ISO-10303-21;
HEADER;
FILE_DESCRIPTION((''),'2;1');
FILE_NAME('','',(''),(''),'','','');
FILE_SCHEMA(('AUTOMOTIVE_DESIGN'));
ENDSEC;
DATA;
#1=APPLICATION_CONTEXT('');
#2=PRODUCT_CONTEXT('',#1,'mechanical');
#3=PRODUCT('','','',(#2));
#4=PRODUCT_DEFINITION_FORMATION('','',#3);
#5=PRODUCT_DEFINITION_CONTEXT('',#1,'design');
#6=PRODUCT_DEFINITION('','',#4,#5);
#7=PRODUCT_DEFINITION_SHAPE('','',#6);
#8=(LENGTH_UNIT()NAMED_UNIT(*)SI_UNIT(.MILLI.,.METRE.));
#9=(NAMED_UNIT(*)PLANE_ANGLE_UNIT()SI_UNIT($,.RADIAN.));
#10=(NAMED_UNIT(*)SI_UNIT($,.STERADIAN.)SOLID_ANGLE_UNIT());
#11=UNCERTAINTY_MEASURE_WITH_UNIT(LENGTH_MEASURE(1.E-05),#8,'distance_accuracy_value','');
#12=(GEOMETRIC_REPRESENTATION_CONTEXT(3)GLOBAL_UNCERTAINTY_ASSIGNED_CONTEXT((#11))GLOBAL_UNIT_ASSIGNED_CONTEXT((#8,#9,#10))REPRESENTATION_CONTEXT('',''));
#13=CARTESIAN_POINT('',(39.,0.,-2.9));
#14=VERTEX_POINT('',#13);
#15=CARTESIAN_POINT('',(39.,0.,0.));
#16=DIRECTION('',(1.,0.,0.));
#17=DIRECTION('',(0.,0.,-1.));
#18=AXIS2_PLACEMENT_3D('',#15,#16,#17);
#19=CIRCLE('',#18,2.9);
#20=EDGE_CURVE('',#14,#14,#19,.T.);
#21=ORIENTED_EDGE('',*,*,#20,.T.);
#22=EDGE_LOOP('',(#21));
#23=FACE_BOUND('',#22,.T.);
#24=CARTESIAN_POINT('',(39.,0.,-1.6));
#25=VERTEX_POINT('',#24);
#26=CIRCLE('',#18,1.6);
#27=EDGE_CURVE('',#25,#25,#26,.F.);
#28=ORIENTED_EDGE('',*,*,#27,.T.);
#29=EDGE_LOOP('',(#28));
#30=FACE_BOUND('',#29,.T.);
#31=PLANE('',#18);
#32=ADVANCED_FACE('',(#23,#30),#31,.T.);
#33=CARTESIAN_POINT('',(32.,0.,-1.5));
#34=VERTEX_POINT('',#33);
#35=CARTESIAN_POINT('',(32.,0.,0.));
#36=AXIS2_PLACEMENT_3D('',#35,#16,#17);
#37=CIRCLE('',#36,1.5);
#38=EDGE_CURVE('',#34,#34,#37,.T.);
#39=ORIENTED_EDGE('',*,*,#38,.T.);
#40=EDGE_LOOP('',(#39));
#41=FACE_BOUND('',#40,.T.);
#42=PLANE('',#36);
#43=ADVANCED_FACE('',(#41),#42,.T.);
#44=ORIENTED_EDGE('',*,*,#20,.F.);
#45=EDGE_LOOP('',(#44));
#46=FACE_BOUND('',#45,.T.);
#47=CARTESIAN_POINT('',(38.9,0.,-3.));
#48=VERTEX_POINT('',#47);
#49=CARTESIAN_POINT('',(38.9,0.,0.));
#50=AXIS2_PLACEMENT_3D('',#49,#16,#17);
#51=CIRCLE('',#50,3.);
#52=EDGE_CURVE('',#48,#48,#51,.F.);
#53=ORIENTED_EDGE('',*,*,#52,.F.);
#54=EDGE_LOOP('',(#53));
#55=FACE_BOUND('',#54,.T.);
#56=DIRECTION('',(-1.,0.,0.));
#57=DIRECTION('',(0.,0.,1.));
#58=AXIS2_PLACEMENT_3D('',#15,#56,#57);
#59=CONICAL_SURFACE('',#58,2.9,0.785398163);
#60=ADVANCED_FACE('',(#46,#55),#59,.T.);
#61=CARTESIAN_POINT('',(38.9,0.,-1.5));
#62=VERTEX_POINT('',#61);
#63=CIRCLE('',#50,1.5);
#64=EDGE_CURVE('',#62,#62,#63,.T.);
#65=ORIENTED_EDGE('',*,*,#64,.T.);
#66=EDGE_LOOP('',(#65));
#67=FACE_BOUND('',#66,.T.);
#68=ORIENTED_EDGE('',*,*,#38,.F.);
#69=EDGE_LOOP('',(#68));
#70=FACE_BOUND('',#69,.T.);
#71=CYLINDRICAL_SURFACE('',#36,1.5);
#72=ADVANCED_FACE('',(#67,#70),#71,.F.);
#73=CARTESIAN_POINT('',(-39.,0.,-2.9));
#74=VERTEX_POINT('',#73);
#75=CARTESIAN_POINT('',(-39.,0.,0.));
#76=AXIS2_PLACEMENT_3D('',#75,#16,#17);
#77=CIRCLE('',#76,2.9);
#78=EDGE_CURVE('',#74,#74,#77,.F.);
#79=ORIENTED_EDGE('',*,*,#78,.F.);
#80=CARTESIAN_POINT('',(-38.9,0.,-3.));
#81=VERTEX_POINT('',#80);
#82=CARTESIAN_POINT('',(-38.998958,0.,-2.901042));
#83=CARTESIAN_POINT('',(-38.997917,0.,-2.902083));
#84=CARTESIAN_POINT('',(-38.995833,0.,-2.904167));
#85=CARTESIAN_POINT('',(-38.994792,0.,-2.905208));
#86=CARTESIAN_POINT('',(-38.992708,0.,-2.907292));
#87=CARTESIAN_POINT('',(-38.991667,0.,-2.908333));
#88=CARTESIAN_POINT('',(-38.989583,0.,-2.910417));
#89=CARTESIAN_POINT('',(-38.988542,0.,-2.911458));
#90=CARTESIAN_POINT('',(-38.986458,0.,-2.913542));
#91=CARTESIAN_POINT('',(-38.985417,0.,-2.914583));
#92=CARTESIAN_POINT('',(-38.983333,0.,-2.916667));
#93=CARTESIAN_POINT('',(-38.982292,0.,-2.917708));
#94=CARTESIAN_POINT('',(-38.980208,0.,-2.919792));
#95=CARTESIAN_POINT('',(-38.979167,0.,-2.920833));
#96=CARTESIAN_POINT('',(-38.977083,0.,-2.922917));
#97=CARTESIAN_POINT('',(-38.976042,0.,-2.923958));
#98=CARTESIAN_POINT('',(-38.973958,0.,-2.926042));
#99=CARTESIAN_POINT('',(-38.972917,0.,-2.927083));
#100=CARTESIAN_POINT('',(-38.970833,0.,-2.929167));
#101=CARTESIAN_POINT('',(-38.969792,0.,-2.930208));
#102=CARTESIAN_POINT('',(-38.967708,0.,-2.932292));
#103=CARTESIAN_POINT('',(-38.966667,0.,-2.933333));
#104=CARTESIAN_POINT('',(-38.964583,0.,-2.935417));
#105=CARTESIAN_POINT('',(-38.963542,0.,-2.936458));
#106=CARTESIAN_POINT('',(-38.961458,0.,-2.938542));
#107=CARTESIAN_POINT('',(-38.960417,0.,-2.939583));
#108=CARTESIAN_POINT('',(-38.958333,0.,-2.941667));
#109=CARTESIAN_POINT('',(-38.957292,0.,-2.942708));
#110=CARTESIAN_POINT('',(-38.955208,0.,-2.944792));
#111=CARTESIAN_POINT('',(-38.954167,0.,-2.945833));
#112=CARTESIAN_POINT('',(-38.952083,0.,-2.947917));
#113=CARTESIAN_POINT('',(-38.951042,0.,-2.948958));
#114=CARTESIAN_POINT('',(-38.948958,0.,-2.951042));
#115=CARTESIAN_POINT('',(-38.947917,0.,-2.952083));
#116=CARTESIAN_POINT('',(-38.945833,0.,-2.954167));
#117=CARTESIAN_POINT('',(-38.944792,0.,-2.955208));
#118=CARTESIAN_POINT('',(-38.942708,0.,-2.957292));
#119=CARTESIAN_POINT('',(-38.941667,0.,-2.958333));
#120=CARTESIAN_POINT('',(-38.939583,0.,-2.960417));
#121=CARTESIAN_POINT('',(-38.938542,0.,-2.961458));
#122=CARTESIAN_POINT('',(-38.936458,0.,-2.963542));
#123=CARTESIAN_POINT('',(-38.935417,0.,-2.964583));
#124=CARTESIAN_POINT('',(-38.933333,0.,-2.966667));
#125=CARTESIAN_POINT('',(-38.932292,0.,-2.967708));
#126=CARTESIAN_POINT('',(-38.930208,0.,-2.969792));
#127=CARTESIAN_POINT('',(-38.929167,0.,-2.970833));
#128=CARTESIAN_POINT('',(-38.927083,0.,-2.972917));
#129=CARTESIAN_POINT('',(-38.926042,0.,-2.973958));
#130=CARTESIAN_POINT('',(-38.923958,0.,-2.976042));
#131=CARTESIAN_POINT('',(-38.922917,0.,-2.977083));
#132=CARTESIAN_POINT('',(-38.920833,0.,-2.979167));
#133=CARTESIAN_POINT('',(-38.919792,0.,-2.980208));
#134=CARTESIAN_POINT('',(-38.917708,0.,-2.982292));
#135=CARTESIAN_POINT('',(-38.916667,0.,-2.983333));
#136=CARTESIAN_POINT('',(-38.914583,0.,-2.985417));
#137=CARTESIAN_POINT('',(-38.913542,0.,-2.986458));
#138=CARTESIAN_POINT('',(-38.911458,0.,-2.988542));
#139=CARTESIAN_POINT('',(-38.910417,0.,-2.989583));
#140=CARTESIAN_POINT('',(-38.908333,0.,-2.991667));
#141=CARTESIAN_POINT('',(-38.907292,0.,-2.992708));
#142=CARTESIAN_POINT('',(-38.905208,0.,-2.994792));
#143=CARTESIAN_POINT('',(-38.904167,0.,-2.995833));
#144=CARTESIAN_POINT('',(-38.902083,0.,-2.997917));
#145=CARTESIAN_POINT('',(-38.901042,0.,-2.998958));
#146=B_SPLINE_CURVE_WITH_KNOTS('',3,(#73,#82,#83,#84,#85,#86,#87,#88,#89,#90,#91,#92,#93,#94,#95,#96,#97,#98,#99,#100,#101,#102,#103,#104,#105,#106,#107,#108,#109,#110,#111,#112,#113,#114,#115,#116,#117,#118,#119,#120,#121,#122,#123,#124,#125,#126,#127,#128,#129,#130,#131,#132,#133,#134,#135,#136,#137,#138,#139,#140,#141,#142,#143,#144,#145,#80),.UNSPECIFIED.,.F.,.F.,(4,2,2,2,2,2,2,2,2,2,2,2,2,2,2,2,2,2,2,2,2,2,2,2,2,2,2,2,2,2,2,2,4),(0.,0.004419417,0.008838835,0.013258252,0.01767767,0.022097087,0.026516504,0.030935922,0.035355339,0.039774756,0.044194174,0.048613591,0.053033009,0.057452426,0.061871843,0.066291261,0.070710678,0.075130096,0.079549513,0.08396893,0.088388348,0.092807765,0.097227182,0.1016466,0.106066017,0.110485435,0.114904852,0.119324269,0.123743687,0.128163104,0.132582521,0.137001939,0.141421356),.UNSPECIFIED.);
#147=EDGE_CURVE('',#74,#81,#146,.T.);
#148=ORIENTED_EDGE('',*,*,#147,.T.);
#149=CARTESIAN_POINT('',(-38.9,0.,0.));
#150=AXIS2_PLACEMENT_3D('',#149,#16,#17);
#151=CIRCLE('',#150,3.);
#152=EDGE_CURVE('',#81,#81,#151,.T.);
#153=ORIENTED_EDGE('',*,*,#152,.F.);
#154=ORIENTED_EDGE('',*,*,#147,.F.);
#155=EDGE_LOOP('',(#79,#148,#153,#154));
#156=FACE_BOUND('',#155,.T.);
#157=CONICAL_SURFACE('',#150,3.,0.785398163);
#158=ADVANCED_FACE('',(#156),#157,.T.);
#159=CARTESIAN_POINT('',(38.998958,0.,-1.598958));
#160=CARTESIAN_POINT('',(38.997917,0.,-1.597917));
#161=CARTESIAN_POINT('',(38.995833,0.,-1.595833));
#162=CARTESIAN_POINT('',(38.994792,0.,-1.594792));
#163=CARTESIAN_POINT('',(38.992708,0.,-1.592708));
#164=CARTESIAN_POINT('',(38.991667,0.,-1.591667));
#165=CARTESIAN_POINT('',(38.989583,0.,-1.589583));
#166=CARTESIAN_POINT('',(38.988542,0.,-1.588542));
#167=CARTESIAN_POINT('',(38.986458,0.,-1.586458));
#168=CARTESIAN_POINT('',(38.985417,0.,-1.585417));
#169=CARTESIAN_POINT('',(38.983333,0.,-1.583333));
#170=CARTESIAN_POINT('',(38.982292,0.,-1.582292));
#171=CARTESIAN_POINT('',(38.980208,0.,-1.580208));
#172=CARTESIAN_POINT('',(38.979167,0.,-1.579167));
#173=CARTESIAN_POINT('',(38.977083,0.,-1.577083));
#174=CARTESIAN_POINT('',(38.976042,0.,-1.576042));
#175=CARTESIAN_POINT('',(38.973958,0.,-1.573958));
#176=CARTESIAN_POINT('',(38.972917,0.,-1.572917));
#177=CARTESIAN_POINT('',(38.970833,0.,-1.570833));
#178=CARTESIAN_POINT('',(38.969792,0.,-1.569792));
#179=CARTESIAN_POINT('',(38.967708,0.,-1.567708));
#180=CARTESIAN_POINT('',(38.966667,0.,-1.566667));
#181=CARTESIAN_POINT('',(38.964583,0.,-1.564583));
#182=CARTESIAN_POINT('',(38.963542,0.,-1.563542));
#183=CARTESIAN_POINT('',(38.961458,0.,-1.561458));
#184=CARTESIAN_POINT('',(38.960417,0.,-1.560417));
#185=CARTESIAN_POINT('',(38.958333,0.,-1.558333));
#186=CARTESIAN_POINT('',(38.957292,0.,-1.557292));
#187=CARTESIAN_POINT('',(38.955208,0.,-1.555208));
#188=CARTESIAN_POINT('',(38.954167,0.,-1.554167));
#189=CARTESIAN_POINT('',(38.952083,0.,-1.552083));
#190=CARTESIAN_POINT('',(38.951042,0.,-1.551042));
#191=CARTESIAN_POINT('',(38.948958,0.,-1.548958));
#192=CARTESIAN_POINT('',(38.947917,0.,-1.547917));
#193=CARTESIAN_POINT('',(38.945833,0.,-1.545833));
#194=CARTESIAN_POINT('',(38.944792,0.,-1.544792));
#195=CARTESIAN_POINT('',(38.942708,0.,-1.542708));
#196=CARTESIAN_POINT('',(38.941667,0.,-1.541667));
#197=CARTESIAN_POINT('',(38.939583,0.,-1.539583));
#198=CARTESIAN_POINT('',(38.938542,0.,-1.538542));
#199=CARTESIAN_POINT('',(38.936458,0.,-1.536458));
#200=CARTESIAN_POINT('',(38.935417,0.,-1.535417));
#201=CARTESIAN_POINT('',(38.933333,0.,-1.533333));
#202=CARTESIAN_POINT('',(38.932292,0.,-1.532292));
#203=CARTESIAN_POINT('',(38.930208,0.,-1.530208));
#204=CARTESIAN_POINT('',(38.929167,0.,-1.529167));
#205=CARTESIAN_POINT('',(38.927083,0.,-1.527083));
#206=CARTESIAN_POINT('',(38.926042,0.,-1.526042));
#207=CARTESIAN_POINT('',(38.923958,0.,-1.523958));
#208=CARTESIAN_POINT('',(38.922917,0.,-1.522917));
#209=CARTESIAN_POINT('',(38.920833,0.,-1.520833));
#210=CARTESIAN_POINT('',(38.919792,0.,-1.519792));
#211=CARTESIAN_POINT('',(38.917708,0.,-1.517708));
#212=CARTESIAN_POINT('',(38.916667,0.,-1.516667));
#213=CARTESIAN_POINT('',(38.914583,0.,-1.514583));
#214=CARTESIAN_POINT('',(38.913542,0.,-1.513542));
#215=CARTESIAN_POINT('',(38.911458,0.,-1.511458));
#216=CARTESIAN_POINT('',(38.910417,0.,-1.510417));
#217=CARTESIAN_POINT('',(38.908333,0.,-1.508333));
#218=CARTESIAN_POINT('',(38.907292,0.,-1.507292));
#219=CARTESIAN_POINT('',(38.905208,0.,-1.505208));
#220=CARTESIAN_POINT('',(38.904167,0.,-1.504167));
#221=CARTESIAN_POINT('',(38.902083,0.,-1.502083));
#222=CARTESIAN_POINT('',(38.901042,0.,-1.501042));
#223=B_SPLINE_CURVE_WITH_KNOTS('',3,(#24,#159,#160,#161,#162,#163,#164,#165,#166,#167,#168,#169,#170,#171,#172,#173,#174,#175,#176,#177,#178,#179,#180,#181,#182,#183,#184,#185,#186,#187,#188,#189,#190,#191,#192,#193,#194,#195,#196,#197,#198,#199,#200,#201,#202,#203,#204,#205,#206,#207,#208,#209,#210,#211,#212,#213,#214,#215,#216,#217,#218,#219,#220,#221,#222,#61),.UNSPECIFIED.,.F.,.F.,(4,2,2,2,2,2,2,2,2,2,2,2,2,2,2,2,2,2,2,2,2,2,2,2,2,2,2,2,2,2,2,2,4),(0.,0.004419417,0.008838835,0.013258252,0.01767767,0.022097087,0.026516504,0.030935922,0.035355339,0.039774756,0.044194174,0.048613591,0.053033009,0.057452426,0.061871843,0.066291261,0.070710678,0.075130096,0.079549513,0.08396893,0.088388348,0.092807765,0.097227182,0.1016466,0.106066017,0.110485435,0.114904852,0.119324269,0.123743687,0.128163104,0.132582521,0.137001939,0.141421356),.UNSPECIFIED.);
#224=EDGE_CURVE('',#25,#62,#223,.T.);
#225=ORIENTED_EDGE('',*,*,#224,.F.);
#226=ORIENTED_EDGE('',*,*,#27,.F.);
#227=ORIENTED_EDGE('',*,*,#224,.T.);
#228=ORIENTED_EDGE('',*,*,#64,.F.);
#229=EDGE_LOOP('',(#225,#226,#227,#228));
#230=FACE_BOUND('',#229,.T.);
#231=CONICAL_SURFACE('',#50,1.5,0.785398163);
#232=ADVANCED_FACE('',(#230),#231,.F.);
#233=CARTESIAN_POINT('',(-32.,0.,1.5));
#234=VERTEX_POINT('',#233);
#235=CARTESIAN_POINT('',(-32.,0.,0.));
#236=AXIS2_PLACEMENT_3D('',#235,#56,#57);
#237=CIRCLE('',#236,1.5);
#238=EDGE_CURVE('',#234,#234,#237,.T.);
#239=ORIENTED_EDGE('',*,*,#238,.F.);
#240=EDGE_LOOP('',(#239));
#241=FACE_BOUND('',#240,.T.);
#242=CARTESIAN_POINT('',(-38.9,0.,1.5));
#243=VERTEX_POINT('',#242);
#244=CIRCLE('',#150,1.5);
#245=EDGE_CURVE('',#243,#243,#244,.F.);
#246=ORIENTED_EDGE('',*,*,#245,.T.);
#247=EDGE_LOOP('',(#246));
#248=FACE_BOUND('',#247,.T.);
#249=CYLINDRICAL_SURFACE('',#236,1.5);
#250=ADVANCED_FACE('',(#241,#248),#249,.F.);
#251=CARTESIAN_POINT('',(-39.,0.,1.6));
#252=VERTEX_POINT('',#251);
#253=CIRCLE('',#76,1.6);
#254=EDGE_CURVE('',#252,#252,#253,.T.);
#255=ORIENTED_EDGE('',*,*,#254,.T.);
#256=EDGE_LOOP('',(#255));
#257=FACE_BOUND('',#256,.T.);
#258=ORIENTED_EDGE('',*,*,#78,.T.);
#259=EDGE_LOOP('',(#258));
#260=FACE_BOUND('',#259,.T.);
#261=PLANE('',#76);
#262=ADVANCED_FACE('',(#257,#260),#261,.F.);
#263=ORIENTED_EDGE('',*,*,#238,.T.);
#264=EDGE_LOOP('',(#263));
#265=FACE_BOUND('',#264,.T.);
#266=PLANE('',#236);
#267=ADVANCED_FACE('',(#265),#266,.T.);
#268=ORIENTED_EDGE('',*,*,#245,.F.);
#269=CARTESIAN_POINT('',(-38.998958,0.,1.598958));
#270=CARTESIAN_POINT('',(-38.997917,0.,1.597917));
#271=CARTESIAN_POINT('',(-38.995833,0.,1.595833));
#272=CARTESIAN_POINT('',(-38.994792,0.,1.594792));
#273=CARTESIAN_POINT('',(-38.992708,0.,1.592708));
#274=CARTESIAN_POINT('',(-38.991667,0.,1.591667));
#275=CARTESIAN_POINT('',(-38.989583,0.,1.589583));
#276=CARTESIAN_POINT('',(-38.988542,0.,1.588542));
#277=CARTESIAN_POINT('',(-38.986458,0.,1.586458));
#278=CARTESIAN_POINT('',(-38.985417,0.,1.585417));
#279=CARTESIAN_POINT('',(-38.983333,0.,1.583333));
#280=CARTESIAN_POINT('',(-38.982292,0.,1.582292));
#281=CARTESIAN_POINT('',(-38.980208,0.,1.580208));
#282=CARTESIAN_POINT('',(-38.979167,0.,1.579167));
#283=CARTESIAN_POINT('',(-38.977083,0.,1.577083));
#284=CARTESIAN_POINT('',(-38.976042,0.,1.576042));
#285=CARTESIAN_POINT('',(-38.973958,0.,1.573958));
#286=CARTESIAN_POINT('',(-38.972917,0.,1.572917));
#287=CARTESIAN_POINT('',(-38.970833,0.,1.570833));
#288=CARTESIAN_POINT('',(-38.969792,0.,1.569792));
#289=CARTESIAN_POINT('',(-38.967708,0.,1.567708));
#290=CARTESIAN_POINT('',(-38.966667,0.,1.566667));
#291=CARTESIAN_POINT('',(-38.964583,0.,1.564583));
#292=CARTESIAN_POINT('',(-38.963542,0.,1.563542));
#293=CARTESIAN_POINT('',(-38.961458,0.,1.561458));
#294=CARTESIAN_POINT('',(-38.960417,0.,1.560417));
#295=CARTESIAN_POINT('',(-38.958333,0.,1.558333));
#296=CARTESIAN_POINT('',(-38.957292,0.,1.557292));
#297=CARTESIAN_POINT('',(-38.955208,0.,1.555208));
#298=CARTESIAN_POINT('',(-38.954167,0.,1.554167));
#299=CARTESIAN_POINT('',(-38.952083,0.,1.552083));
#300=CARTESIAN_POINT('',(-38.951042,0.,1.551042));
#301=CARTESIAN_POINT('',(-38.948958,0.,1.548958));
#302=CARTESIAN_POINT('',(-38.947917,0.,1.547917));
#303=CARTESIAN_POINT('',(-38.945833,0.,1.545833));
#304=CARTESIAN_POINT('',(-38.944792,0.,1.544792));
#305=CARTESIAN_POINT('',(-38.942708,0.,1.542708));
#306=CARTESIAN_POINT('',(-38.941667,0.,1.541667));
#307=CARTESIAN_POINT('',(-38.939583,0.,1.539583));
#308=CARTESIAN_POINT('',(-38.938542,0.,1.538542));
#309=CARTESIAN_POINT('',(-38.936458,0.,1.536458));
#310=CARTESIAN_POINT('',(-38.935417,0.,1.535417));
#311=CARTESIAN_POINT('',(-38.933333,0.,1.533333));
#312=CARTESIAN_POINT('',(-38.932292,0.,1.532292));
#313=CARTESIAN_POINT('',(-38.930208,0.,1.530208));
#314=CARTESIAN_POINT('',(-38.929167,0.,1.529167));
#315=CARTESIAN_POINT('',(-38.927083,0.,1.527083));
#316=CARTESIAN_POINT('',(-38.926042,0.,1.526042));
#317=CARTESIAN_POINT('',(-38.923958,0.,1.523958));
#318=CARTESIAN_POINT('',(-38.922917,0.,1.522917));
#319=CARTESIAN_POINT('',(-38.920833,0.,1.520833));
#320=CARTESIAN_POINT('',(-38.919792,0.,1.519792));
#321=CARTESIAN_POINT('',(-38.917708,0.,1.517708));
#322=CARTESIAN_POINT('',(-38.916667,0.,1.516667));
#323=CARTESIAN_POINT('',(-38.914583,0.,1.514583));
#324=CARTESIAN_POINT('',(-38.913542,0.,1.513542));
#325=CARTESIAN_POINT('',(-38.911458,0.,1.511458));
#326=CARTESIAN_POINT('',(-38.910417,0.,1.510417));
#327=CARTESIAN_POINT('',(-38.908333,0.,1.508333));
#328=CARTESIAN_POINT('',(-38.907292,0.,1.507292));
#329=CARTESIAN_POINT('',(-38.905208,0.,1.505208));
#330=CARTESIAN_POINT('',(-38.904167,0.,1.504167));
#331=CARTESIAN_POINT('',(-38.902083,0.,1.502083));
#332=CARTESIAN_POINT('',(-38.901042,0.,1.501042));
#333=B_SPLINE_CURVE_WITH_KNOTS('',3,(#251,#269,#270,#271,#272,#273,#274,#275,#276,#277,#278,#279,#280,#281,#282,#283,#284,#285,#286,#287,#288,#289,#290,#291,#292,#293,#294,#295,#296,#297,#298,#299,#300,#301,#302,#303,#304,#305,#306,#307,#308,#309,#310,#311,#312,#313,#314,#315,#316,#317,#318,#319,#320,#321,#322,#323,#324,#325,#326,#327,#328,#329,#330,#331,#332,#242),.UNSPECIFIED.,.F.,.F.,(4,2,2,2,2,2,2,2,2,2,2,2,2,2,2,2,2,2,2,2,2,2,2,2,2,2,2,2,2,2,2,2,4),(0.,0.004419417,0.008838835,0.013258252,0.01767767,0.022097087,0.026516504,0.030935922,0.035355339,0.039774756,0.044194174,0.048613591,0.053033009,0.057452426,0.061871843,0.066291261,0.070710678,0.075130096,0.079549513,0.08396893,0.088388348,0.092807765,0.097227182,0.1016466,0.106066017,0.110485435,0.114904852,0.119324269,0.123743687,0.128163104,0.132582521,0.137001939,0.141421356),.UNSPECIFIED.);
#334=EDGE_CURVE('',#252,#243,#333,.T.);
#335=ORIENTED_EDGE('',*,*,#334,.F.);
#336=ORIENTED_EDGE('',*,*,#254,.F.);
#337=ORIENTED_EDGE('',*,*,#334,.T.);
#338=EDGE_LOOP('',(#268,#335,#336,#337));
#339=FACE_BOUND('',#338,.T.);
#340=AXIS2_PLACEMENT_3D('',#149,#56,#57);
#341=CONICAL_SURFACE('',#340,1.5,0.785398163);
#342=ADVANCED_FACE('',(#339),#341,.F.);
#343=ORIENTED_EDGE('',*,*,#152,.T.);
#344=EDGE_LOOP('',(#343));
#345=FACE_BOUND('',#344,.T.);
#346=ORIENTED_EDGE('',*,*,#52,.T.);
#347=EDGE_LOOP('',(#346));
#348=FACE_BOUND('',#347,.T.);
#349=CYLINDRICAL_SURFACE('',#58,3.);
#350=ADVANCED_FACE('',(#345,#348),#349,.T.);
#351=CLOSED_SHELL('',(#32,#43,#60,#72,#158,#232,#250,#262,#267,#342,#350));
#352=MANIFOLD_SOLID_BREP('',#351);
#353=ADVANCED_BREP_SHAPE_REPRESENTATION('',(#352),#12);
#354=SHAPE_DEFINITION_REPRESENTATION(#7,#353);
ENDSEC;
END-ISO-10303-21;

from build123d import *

# Parameters (mm, degrees)
SKETCH1_R           = 3
BOSS_EXTRUDE1_DEPTH = 39
SKETCH2_R           = 1.5
CUT_EXTRUDE1_DEPTH  = 7
CUT_EXTRUDE2_START  = -7
SKETCH3_R           = 1.5
CUT_EXTRUDE2_DEPTH  = 7
CHAMFER1_SIZE       = 0.1


with BuildPart() as part:
    # Sketch1 → Boss-Extrude1 (new, symmetric)
    with BuildSketch(Plane(origin=(0, 0, 0), x_dir=(0, 0, -1), z_dir=(1, 0, 0))):
        Circle(SKETCH1_R)
    extrude(amount=BOSS_EXTRUDE1_DEPTH, both=True)

    # Sketch2 → Cut-Extrude1 (cut)
    with BuildSketch(Plane.ZY.offset(39)):
        Circle(SKETCH2_R)
    extrude(amount=-CUT_EXTRUDE1_DEPTH, mode=Mode.SUBTRACT)

    # Sketch3 → Cut-Extrude2 (cut)
    with BuildSketch(Plane(origin=(39, 0, 0), x_dir=(0, 0, -1), z_dir=(1, 0, 0)).offset(CUT_EXTRUDE2_START)):
        with Locations(Location((0, 0, 0), (0, 0, 180))):
            Circle(SKETCH3_R)
    extrude(amount=CUT_EXTRUDE2_DEPTH, mode=Mode.SUBTRACT)

    # Chamfer1
    chamfer1_edges = [part.edges().sort_by_distance(p)[0] for p in [
        (39, 0, -1.5),
        (-39, 0, 3),
        (39, 0, 3),
        (-39, 0, -1.5),
    ]]
    chamfer(chamfer1_edges, length=CHAMFER1_SIZE)


solid = part.part
